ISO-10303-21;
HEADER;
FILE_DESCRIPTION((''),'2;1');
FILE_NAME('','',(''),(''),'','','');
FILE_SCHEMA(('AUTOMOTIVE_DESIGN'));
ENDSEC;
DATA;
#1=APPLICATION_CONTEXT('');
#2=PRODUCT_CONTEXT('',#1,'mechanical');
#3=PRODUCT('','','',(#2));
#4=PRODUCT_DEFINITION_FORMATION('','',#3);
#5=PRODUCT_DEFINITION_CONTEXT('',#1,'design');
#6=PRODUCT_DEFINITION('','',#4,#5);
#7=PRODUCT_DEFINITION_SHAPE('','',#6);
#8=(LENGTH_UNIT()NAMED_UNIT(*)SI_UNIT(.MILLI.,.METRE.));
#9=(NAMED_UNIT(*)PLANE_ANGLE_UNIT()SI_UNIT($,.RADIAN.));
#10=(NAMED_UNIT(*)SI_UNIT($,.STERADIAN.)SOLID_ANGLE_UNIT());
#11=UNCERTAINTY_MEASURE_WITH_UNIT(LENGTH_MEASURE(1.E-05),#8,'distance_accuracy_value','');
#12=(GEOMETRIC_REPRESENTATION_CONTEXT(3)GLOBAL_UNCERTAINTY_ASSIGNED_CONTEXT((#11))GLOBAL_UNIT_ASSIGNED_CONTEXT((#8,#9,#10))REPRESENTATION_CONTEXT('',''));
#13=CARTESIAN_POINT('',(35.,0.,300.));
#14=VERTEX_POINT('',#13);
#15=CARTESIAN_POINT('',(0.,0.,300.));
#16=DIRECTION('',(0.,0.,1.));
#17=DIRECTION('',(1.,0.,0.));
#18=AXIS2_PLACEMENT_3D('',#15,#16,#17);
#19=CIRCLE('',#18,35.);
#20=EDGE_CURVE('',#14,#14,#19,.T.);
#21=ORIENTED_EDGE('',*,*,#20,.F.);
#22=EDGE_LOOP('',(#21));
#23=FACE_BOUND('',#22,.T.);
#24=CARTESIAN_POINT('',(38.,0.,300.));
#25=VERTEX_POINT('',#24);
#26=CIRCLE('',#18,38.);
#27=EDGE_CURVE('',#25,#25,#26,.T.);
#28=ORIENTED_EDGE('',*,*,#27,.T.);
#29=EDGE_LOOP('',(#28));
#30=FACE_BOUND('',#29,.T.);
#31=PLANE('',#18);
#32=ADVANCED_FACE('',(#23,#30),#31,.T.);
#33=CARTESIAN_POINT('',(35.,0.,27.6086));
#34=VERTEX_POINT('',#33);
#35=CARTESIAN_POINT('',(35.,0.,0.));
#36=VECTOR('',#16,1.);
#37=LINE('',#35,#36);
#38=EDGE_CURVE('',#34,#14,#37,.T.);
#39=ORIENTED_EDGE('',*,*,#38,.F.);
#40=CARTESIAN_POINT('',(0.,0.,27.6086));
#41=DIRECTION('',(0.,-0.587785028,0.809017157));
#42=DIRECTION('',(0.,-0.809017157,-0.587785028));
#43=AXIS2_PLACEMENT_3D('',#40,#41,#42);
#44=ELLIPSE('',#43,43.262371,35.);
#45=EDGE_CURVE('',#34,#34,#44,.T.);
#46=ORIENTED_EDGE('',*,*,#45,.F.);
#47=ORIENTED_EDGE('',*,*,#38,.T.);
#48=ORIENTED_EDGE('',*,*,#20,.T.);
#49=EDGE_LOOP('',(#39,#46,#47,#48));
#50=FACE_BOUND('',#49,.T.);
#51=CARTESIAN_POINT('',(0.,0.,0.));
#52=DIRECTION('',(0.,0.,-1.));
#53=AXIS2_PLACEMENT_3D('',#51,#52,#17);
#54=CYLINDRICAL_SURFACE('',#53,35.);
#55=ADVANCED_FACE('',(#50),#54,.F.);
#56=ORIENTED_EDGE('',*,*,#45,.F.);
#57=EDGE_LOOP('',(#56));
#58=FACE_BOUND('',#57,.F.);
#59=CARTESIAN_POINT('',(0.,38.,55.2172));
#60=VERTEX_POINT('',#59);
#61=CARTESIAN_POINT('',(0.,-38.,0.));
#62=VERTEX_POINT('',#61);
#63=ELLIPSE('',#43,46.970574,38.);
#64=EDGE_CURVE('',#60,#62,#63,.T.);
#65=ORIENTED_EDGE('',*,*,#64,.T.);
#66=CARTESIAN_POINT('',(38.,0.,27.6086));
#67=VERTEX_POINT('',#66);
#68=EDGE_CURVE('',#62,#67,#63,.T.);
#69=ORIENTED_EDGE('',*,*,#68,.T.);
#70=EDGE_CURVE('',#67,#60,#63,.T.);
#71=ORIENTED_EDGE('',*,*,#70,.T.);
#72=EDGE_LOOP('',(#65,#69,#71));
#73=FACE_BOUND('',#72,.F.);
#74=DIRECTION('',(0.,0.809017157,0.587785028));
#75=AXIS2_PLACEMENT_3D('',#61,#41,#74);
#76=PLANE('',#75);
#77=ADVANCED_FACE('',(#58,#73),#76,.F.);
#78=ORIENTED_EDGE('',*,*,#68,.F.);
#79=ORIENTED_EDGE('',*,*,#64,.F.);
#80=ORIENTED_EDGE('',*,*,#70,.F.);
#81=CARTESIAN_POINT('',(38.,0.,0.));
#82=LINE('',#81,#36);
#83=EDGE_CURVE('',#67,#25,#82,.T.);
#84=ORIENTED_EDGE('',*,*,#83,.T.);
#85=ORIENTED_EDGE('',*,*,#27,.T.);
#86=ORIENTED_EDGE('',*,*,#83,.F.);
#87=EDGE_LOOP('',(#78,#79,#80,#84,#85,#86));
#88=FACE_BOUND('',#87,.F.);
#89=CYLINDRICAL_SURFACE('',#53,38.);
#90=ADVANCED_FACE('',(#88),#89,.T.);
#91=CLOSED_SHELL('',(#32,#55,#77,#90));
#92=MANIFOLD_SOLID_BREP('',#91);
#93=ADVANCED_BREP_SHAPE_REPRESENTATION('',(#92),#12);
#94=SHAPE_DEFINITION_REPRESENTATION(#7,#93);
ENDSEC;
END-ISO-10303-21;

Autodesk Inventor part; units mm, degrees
ref_plane "YZ Plane" through (0, 0, 0) normal (1, 0, 0) x (0, 1, 0)
ref_plane "XZ Plane" through (0, 0, 0) normal (0, 1, 0) x (-1, 0, 0)
ref_plane "XY Plane" through (0, 0, 0) normal (0, 0, 1) x (1, 0, 0)
sketch "Sketch1" plane through (0, 0, 0) normal (0, 0, 1) x (1, 0, 0)
  circle A0 centre (0, 0) radius 38
  circle A1 centre (0, 0) radius 35
  dimension "d0" = 76
  dimension "d1" = 3
extrude "Extrusion1" add sketch "Sketch1" along normal blind 300
sketch "Sketch2" plane through (0, 0, 0) normal (1, 0, 0) x (0, 1, 0)
  line L0 (38, 300) -> (-38, 300) projected
  line L1 (38, 0) -> (-38, 0) projected
  line L2 (-38, 0) -> (38, 55.2172)
  line L3 (38, 55.2172) -> (38, 0)
  line L4 (38, 0) -> (38, 300) projected
  line L5 (38, 0) -> (-38, 0)
  line L6 (-38, 0) -> (-38, -244.7828)
  line L7 (-38, -244.7828) -> (38, -244.7828)
  line L8 (38, -244.7828) -> (38, 0)
  point P0 (0, 0)
  dimension "d4" = 36
  dimension "d7" = 244.7828
  dimension "d8" = 300
  dimension "d9" = 300
  dimension "d10" = 544.7828
extrude "Extrusion2" cut sketch "Sketch2" along normal mid plane 300 contours L1 L2 L3
properties part number "MSC 116 ROCKET TUBE 8" material "Stainless Steel"
